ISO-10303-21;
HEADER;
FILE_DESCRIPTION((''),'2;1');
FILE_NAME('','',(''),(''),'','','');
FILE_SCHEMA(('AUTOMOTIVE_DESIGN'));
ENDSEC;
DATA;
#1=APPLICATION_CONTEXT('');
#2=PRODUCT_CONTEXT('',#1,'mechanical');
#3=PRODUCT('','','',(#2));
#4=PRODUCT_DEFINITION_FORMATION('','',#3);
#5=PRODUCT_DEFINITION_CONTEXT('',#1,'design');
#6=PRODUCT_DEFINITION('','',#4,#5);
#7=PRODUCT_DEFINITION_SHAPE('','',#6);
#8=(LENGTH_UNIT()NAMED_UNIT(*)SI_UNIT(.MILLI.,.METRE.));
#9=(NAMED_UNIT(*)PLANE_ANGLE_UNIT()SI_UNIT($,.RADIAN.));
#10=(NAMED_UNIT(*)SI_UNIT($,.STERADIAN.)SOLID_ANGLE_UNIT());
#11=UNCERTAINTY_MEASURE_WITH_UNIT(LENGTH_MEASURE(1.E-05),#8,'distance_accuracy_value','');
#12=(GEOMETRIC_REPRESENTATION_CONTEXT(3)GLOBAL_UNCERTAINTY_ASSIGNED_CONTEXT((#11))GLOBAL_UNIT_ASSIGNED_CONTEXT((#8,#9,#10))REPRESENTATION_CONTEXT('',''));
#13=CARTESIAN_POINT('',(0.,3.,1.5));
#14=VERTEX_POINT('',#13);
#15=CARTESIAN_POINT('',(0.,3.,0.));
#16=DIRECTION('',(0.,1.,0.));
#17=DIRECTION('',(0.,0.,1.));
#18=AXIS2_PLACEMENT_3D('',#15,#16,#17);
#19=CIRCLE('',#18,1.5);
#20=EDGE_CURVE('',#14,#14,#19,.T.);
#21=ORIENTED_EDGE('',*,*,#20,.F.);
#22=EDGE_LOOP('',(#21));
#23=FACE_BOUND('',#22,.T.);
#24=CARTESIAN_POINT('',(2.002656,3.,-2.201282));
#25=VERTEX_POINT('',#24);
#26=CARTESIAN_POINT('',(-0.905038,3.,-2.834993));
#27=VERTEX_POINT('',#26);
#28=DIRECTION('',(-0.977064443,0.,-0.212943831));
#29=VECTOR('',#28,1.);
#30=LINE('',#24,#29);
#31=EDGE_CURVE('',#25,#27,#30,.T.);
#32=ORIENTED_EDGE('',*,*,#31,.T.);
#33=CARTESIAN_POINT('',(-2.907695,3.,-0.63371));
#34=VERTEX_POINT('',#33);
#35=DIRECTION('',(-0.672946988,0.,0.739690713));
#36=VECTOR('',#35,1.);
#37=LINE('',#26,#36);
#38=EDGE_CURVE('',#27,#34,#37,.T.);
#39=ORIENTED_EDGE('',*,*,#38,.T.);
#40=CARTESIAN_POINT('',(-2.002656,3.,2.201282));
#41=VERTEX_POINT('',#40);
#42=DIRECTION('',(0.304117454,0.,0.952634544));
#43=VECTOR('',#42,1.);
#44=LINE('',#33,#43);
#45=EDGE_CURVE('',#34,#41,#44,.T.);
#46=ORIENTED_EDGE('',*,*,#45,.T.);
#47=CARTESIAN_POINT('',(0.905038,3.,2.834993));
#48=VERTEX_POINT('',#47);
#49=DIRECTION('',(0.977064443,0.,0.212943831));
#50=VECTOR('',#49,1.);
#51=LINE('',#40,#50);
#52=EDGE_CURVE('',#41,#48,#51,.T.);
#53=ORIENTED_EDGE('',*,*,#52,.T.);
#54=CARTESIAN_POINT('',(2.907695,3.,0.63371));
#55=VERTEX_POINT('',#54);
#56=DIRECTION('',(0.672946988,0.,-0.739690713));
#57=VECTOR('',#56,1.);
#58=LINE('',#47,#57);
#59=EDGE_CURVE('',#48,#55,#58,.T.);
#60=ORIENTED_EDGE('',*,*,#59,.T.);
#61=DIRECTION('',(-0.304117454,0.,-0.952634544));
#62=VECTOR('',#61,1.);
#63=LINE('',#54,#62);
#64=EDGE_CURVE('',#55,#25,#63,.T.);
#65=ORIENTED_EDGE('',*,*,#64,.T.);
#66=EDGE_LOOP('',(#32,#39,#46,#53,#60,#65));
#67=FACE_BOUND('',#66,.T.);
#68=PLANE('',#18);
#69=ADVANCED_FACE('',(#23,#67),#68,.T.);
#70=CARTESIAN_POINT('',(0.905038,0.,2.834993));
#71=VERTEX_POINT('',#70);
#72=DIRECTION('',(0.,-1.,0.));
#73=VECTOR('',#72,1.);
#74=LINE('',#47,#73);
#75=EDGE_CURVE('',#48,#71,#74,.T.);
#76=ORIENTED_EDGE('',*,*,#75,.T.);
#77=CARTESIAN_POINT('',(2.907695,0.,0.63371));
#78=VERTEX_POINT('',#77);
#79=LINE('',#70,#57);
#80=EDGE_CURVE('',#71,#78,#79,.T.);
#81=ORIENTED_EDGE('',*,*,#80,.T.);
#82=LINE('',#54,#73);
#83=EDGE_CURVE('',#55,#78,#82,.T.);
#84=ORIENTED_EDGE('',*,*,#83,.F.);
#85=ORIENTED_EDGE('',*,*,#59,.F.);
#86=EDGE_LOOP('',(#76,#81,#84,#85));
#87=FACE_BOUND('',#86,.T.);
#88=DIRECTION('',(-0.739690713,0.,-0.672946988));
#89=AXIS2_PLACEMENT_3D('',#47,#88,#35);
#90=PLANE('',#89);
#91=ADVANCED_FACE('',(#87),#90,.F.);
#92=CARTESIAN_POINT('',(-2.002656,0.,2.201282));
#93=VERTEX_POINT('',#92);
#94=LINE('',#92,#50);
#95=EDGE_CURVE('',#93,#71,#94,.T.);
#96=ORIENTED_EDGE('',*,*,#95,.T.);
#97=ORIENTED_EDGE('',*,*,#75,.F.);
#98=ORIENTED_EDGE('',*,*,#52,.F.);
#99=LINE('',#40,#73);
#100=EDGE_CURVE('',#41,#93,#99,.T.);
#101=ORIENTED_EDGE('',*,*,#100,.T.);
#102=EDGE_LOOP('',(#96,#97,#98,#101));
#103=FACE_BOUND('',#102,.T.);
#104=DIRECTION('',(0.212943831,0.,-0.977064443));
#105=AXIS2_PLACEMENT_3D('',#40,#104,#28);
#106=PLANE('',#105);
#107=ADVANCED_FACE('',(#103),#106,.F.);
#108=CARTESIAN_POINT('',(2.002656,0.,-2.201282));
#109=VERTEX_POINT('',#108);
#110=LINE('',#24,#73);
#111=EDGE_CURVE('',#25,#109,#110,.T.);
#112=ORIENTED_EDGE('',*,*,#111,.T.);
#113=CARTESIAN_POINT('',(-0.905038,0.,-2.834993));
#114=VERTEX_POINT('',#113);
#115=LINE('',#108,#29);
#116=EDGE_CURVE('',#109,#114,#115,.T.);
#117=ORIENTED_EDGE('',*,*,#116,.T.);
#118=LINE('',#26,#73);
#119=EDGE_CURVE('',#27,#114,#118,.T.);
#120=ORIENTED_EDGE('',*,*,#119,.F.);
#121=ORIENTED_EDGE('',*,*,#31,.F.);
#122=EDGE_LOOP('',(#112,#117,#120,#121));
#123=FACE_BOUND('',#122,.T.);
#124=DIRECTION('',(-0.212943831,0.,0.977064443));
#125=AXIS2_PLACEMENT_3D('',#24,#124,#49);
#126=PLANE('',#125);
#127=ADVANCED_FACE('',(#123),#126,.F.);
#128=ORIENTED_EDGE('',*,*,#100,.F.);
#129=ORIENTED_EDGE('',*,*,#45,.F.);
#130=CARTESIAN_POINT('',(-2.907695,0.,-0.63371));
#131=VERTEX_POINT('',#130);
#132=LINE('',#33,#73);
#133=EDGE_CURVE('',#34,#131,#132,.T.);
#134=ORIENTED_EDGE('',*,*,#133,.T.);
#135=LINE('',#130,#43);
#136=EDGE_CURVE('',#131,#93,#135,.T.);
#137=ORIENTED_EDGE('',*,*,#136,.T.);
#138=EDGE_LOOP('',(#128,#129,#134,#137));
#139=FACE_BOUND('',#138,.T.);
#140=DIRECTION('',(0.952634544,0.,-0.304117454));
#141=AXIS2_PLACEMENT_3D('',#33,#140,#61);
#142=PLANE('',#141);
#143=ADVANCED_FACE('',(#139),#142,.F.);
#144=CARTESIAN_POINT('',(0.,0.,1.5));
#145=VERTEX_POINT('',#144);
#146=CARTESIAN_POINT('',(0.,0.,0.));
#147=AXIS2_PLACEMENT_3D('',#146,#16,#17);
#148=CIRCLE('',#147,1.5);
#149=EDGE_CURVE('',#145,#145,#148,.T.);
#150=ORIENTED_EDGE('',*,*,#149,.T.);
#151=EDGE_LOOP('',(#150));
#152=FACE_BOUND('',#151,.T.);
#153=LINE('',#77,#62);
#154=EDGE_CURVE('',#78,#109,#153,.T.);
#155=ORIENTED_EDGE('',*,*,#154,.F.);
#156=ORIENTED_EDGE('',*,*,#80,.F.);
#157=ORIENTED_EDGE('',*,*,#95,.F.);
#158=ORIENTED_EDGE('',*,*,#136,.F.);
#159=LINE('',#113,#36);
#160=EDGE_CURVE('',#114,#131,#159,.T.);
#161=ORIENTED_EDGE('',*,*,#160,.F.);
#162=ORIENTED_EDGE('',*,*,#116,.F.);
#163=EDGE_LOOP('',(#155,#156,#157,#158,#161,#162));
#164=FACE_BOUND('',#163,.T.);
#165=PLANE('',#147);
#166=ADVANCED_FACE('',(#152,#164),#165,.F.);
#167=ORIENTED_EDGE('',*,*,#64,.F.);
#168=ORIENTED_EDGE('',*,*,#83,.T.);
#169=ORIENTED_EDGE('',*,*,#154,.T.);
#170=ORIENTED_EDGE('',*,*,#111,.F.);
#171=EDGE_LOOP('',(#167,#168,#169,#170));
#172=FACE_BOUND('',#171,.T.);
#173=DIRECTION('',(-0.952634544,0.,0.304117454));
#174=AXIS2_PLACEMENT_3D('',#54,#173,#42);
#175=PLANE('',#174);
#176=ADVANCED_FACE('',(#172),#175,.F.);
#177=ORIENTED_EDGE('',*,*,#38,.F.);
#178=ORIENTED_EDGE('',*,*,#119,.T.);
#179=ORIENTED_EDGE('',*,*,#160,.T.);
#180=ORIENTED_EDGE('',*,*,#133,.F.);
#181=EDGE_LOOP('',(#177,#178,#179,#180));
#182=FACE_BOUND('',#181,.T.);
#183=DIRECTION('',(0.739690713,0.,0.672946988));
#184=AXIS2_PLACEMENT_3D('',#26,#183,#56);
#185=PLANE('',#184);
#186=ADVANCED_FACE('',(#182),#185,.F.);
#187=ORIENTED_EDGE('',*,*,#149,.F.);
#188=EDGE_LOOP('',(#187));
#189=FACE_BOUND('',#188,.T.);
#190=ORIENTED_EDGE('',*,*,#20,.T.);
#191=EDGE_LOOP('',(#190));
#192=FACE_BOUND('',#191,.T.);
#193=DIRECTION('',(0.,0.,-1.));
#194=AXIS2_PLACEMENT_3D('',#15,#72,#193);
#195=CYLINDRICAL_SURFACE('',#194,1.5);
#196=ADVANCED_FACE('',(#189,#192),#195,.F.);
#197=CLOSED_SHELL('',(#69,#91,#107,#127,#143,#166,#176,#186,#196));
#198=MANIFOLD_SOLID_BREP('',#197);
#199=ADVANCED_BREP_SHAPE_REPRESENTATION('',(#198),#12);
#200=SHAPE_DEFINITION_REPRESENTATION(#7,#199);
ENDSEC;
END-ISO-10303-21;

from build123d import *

# Parameters (mm, degrees)
SKETCH1_R           = 1.5
BOSS_EXTRUDE1_DEPTH = 3


with BuildPart() as part:
    # Sketch1 → Boss-Extrude1 (new body)
    with BuildSketch(Plane(origin=(0, 0, 0), x_dir=(1, 0, 0), z_dir=(0, 1, 0))):
        Polygon((0.905038294, -2.834992631), (2.907694785, -0.633710162), (2.002656491, 2.201282469), (-0.905038294, 2.834992631), (-2.907694785, 0.633710162), (-2.002656491, -2.201282469), align=None)
        with Locations(Location((0, 0, 0), (0, 0, 270))):
            Circle(SKETCH1_R, mode=Mode.SUBTRACT)
    extrude(amount=BOSS_EXTRUDE1_DEPTH)


solid = part.part
